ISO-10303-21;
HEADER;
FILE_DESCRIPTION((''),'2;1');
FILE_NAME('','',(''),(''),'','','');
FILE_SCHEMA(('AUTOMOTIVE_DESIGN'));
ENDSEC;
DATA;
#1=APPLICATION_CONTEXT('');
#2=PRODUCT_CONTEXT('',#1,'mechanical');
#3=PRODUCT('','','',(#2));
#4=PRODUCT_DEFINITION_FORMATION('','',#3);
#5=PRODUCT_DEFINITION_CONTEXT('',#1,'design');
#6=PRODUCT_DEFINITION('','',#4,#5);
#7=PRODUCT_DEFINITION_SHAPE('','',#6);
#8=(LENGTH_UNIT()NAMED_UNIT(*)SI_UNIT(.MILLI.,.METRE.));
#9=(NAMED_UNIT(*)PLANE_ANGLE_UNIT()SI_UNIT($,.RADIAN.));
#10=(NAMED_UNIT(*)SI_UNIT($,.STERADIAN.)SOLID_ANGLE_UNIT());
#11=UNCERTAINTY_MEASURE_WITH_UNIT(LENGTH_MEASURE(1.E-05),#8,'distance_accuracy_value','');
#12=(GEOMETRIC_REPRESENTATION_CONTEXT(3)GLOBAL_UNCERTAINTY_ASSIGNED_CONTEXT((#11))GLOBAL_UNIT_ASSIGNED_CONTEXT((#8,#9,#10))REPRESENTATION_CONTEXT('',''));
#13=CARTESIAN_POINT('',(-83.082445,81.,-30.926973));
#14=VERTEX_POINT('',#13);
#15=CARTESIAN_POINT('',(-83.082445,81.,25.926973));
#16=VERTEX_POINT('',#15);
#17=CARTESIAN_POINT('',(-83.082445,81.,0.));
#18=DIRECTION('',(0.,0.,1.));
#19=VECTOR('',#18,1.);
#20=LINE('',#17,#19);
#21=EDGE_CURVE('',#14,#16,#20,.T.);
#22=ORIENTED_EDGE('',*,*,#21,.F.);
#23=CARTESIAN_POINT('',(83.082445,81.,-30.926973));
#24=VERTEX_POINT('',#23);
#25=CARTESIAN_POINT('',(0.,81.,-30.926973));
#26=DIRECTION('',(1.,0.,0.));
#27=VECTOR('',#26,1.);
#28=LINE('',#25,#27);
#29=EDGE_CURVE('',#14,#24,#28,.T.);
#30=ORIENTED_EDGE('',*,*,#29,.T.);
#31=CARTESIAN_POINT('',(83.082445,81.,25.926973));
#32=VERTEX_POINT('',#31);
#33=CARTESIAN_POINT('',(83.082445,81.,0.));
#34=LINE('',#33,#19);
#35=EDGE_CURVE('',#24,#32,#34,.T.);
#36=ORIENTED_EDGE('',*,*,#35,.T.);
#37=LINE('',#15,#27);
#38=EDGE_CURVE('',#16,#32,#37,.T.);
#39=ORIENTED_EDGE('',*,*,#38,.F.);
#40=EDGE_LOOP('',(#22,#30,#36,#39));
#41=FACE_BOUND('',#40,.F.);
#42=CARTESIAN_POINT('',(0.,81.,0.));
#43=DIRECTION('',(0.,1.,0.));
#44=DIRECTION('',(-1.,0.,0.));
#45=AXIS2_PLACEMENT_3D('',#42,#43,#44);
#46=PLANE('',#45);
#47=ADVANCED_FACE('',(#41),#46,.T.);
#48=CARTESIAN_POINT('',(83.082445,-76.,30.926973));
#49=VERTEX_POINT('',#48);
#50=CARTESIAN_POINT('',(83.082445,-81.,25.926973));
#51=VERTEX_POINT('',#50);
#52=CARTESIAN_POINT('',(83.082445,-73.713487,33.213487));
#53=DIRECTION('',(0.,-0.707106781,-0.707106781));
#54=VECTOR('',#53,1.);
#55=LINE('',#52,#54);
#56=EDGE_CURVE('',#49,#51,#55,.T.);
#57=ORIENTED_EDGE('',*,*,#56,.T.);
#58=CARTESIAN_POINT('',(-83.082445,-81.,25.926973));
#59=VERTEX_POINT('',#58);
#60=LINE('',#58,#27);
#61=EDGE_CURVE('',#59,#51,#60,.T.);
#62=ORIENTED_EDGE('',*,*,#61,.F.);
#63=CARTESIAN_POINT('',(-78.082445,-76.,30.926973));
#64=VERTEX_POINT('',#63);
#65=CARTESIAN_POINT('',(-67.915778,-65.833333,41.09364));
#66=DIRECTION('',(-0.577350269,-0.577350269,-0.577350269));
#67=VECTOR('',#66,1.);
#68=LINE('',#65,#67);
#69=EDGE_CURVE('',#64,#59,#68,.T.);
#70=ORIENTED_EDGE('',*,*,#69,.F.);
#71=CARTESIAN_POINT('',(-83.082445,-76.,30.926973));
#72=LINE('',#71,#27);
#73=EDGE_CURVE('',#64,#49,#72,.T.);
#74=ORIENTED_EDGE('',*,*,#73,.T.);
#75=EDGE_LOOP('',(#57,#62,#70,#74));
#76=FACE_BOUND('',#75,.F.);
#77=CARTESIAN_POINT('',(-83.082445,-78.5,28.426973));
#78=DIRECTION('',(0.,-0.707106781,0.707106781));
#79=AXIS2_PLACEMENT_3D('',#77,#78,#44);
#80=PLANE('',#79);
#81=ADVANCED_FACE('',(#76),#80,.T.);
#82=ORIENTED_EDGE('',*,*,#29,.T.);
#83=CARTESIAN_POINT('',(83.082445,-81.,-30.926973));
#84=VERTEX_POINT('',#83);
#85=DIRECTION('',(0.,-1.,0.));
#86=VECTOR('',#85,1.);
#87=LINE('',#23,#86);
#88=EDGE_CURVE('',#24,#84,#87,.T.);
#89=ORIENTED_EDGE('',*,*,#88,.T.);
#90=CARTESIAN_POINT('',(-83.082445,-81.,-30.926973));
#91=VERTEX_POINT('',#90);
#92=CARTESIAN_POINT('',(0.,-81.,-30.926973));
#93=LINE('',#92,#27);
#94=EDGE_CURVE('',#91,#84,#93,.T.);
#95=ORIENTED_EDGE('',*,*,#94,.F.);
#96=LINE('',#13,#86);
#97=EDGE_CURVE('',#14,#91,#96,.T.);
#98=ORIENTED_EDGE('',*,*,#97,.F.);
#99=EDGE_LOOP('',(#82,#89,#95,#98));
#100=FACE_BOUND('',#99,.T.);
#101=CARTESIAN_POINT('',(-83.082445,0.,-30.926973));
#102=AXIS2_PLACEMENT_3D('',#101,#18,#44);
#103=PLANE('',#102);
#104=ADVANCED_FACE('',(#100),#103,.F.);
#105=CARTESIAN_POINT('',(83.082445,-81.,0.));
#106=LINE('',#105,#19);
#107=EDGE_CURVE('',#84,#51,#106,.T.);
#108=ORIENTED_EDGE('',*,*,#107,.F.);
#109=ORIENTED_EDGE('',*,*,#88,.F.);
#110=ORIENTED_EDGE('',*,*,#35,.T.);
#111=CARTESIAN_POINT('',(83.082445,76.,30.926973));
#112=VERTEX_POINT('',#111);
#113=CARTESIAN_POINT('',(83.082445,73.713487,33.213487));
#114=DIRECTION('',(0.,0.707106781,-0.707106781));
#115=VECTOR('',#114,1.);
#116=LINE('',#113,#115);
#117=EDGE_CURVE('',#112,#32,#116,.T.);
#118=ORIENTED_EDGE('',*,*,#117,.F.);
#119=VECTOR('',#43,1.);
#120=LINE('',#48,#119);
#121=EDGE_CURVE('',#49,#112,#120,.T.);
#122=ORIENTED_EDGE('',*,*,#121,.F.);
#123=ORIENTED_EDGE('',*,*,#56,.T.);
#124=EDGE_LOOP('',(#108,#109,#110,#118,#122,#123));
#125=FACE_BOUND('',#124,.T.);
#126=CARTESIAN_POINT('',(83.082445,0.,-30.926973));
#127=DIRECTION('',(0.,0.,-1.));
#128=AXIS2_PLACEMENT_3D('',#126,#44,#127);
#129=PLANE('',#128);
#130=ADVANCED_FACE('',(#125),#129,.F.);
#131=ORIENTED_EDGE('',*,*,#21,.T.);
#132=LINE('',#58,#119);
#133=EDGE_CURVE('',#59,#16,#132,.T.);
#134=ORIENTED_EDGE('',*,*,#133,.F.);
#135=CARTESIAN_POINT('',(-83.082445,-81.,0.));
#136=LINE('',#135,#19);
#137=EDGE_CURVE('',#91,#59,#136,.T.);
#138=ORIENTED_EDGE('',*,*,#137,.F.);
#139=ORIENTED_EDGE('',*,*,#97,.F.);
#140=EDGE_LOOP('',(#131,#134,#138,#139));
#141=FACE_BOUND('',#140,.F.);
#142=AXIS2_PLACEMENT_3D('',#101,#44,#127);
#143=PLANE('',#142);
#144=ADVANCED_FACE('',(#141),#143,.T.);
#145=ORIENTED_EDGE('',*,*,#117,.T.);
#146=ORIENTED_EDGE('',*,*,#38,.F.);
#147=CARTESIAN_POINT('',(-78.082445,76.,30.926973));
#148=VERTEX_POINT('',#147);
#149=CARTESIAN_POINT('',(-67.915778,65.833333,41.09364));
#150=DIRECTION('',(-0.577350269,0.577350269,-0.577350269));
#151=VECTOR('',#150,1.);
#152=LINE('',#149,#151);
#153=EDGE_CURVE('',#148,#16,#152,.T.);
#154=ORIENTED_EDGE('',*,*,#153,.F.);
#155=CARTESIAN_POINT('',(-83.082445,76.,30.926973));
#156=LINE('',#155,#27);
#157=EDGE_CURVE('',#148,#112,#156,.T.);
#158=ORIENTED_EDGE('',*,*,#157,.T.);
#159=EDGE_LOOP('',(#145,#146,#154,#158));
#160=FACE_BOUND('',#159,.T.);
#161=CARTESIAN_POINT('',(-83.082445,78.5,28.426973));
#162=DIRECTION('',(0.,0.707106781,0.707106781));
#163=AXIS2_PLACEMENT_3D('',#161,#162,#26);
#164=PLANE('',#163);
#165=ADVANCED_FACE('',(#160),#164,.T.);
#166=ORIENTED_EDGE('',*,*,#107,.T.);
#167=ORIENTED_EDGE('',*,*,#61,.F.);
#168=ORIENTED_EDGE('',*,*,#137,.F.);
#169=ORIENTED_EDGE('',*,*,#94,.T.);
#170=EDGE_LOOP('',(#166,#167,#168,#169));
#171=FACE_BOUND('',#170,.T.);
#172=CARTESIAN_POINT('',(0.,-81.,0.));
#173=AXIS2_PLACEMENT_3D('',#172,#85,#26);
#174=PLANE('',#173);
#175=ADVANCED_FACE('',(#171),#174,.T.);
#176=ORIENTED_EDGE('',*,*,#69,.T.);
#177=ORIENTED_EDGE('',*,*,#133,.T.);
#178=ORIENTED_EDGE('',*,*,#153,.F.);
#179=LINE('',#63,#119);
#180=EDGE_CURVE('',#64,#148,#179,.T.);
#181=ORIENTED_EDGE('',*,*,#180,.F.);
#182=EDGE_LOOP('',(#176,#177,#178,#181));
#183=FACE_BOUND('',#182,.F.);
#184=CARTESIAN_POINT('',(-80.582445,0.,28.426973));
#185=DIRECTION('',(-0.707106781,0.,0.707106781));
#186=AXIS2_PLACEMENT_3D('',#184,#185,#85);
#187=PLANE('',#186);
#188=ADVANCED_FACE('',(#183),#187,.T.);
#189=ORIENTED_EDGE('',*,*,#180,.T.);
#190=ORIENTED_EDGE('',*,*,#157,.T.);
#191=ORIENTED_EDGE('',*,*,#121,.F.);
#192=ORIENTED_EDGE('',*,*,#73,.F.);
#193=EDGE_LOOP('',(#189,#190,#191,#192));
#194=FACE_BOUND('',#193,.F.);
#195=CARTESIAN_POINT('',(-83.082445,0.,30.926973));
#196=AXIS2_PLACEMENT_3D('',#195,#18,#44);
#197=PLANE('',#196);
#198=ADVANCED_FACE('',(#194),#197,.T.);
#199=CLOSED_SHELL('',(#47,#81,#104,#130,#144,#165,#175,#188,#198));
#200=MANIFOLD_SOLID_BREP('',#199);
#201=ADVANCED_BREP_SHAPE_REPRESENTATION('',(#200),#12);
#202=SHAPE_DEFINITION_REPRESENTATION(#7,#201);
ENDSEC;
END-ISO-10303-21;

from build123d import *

# Parameters (mm, degrees)
F0_W     = 166.16489
F0_H     = 61.853946
F1_DEPTH = 81
F2_SIZE  = 5


with BuildPart() as f1:
    # F0 (on Front) → F1 (new body)
    with BuildSketch(Plane.XZ):
        Rectangle(F0_W, F0_H)
    extrude(amount=F1_DEPTH)

    # F2
    f2_edges = [f1.edges().sort_by_distance(p)[0] for p in [
        (0, -81, 30.926973),
        (-83.082445, -40.5, 30.926973),
    ]]
    chamfer(f2_edges, length=F2_SIZE)

    # F3: F1 across face


with BuildPart() as f1_1:
    add(f1.part)
    add(f1.part.mirror(Plane(origin=(0.099138, 0, -0.03563), x_dir=(1, 0, 0), z_dir=(0, 1, 0))))


solid = f1_1.part
